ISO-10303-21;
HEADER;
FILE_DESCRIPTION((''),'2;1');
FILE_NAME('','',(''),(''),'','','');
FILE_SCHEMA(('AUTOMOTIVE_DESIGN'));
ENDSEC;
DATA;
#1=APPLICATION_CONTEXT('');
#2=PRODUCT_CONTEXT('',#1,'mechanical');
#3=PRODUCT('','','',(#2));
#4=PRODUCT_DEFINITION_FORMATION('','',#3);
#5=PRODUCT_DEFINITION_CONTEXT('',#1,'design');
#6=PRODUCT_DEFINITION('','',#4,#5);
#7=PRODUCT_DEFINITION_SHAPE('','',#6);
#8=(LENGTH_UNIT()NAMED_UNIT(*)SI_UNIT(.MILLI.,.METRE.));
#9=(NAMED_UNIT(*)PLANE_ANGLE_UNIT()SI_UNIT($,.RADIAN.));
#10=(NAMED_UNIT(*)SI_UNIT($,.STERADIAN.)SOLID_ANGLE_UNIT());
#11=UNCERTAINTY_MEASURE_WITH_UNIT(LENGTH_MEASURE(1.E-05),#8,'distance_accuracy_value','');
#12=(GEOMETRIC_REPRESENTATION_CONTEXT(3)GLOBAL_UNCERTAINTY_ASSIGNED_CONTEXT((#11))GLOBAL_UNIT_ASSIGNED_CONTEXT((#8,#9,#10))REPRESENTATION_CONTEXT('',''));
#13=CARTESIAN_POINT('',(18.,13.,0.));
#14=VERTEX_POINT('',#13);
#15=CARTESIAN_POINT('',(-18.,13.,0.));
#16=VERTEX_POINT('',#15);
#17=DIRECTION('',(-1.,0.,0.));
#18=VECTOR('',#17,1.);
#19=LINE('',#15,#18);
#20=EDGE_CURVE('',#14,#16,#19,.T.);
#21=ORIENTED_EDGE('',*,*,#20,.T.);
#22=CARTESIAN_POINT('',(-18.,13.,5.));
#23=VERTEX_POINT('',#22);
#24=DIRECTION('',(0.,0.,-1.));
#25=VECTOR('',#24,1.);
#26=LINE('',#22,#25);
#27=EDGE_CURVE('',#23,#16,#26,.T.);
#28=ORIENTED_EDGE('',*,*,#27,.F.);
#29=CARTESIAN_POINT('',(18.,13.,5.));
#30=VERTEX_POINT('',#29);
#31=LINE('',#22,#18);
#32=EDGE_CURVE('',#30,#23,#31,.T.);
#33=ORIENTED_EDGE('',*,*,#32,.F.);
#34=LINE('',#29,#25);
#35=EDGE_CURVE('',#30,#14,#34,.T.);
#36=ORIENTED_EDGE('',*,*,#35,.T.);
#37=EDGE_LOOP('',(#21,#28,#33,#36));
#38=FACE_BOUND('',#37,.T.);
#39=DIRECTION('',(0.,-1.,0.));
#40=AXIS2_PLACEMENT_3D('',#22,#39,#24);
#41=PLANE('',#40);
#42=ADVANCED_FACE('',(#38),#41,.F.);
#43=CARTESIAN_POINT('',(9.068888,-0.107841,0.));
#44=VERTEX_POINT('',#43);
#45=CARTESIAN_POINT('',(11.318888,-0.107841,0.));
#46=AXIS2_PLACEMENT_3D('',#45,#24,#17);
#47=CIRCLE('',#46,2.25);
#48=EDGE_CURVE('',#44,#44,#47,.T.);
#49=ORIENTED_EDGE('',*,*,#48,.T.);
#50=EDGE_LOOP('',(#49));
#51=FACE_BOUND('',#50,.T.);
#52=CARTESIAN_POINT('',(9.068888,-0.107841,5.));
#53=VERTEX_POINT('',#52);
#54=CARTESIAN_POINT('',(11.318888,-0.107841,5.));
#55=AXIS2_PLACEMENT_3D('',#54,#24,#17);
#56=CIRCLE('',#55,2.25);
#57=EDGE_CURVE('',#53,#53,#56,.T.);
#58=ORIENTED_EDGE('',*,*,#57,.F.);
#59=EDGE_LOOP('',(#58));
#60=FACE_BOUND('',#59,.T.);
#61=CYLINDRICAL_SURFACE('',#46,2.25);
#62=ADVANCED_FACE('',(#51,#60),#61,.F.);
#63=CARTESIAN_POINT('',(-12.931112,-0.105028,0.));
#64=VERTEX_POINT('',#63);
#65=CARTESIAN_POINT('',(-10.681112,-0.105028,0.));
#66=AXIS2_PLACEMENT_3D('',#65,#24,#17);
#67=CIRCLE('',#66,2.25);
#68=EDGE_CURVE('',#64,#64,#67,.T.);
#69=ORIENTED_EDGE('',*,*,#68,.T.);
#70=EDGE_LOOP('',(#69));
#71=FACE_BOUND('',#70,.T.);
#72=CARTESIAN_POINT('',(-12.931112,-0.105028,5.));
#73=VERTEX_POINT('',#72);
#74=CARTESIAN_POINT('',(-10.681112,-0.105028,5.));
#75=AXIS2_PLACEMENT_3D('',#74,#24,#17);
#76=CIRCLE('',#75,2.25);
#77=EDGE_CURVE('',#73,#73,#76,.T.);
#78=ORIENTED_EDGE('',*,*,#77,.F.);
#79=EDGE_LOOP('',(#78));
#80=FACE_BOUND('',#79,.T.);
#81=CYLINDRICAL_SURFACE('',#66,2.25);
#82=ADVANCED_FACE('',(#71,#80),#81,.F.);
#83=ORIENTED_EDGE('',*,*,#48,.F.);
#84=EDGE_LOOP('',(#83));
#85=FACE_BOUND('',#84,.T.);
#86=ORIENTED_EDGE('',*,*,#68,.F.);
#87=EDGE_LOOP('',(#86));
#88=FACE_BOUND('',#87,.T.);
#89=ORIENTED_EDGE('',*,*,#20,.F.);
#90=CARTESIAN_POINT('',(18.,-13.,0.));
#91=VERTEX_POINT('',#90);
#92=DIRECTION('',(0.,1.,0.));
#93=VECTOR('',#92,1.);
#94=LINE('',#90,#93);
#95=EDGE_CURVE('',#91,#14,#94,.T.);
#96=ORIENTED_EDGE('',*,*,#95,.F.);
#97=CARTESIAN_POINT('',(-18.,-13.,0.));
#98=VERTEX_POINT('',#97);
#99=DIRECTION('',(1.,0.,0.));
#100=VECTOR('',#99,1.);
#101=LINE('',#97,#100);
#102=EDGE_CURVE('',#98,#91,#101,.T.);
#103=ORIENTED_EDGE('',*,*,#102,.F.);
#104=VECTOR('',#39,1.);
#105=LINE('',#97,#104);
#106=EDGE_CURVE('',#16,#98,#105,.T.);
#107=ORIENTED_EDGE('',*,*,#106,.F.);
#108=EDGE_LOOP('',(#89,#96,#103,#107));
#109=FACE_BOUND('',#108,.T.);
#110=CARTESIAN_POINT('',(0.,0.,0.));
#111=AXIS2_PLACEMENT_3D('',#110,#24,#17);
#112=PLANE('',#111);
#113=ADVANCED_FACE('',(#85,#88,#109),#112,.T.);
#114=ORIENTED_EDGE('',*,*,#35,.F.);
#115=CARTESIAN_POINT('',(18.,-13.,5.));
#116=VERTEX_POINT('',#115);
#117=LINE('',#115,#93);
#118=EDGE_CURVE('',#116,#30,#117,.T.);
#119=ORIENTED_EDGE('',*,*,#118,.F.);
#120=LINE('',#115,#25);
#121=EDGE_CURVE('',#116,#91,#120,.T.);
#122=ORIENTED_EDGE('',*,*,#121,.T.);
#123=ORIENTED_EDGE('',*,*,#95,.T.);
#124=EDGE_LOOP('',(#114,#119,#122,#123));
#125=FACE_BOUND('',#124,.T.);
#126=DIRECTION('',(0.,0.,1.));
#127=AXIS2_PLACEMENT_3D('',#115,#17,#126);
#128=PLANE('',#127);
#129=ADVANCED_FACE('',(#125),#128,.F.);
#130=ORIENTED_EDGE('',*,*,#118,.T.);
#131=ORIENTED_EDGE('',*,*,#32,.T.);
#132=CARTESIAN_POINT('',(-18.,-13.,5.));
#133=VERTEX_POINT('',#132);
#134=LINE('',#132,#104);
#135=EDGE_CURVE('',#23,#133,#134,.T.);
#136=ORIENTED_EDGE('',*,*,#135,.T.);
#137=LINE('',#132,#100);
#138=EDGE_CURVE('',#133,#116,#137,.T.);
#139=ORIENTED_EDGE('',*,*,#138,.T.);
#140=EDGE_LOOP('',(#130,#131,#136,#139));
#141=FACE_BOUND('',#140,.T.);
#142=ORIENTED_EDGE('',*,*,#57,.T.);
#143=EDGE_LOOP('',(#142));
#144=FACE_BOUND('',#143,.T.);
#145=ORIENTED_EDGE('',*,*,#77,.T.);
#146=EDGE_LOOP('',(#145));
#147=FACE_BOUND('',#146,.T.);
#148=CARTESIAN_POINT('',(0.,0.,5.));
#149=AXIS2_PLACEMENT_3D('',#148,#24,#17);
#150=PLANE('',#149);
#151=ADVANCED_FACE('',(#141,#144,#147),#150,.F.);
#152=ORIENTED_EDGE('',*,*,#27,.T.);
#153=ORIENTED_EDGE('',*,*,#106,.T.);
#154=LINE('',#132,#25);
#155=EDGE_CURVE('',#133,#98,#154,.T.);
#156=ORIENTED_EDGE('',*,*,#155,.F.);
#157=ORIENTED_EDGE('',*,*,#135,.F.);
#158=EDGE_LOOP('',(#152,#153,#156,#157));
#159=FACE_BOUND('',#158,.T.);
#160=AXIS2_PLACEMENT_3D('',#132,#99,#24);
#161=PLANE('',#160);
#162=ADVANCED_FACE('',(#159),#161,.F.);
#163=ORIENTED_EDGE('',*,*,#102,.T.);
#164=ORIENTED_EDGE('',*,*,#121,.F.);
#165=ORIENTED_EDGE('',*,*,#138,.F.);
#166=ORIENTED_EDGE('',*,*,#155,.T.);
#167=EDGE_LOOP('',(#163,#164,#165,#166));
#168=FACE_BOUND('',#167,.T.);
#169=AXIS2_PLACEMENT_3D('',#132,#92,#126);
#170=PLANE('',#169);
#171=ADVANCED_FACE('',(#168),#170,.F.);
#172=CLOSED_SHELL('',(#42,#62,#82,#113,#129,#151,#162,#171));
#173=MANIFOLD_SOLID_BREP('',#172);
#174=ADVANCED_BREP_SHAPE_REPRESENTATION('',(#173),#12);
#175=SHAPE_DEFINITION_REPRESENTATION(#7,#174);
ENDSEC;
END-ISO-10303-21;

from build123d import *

# Parameters (mm, degrees)
ESQUISSE1_W        = 36
ESQUISSE1_H        = 26
BOSS_EXTRU_1_DEPTH = 5
D_GAGEMENT_M41_D   = 4.5


with BuildPart() as part:
    # Esquisse1 → Boss.-Extru.1 (new body)
    with BuildSketch(Plane.XY):
        Rectangle(ESQUISSE1_W, ESQUISSE1_H)
    extrude(amount=BOSS_EXTRU_1_DEPTH)

    # Dégagement M41 (through all)
    with Locations(Plane(origin=(0, 0, 0), x_dir=(-1, 0, 0), z_dir=(0, 0, -1))):
        with Locations((-11.318887596, -0.107841378), (10.681112224, -0.10502754)):
            Hole(D_GAGEMENT_M41_D / 2)


solid = part.part
